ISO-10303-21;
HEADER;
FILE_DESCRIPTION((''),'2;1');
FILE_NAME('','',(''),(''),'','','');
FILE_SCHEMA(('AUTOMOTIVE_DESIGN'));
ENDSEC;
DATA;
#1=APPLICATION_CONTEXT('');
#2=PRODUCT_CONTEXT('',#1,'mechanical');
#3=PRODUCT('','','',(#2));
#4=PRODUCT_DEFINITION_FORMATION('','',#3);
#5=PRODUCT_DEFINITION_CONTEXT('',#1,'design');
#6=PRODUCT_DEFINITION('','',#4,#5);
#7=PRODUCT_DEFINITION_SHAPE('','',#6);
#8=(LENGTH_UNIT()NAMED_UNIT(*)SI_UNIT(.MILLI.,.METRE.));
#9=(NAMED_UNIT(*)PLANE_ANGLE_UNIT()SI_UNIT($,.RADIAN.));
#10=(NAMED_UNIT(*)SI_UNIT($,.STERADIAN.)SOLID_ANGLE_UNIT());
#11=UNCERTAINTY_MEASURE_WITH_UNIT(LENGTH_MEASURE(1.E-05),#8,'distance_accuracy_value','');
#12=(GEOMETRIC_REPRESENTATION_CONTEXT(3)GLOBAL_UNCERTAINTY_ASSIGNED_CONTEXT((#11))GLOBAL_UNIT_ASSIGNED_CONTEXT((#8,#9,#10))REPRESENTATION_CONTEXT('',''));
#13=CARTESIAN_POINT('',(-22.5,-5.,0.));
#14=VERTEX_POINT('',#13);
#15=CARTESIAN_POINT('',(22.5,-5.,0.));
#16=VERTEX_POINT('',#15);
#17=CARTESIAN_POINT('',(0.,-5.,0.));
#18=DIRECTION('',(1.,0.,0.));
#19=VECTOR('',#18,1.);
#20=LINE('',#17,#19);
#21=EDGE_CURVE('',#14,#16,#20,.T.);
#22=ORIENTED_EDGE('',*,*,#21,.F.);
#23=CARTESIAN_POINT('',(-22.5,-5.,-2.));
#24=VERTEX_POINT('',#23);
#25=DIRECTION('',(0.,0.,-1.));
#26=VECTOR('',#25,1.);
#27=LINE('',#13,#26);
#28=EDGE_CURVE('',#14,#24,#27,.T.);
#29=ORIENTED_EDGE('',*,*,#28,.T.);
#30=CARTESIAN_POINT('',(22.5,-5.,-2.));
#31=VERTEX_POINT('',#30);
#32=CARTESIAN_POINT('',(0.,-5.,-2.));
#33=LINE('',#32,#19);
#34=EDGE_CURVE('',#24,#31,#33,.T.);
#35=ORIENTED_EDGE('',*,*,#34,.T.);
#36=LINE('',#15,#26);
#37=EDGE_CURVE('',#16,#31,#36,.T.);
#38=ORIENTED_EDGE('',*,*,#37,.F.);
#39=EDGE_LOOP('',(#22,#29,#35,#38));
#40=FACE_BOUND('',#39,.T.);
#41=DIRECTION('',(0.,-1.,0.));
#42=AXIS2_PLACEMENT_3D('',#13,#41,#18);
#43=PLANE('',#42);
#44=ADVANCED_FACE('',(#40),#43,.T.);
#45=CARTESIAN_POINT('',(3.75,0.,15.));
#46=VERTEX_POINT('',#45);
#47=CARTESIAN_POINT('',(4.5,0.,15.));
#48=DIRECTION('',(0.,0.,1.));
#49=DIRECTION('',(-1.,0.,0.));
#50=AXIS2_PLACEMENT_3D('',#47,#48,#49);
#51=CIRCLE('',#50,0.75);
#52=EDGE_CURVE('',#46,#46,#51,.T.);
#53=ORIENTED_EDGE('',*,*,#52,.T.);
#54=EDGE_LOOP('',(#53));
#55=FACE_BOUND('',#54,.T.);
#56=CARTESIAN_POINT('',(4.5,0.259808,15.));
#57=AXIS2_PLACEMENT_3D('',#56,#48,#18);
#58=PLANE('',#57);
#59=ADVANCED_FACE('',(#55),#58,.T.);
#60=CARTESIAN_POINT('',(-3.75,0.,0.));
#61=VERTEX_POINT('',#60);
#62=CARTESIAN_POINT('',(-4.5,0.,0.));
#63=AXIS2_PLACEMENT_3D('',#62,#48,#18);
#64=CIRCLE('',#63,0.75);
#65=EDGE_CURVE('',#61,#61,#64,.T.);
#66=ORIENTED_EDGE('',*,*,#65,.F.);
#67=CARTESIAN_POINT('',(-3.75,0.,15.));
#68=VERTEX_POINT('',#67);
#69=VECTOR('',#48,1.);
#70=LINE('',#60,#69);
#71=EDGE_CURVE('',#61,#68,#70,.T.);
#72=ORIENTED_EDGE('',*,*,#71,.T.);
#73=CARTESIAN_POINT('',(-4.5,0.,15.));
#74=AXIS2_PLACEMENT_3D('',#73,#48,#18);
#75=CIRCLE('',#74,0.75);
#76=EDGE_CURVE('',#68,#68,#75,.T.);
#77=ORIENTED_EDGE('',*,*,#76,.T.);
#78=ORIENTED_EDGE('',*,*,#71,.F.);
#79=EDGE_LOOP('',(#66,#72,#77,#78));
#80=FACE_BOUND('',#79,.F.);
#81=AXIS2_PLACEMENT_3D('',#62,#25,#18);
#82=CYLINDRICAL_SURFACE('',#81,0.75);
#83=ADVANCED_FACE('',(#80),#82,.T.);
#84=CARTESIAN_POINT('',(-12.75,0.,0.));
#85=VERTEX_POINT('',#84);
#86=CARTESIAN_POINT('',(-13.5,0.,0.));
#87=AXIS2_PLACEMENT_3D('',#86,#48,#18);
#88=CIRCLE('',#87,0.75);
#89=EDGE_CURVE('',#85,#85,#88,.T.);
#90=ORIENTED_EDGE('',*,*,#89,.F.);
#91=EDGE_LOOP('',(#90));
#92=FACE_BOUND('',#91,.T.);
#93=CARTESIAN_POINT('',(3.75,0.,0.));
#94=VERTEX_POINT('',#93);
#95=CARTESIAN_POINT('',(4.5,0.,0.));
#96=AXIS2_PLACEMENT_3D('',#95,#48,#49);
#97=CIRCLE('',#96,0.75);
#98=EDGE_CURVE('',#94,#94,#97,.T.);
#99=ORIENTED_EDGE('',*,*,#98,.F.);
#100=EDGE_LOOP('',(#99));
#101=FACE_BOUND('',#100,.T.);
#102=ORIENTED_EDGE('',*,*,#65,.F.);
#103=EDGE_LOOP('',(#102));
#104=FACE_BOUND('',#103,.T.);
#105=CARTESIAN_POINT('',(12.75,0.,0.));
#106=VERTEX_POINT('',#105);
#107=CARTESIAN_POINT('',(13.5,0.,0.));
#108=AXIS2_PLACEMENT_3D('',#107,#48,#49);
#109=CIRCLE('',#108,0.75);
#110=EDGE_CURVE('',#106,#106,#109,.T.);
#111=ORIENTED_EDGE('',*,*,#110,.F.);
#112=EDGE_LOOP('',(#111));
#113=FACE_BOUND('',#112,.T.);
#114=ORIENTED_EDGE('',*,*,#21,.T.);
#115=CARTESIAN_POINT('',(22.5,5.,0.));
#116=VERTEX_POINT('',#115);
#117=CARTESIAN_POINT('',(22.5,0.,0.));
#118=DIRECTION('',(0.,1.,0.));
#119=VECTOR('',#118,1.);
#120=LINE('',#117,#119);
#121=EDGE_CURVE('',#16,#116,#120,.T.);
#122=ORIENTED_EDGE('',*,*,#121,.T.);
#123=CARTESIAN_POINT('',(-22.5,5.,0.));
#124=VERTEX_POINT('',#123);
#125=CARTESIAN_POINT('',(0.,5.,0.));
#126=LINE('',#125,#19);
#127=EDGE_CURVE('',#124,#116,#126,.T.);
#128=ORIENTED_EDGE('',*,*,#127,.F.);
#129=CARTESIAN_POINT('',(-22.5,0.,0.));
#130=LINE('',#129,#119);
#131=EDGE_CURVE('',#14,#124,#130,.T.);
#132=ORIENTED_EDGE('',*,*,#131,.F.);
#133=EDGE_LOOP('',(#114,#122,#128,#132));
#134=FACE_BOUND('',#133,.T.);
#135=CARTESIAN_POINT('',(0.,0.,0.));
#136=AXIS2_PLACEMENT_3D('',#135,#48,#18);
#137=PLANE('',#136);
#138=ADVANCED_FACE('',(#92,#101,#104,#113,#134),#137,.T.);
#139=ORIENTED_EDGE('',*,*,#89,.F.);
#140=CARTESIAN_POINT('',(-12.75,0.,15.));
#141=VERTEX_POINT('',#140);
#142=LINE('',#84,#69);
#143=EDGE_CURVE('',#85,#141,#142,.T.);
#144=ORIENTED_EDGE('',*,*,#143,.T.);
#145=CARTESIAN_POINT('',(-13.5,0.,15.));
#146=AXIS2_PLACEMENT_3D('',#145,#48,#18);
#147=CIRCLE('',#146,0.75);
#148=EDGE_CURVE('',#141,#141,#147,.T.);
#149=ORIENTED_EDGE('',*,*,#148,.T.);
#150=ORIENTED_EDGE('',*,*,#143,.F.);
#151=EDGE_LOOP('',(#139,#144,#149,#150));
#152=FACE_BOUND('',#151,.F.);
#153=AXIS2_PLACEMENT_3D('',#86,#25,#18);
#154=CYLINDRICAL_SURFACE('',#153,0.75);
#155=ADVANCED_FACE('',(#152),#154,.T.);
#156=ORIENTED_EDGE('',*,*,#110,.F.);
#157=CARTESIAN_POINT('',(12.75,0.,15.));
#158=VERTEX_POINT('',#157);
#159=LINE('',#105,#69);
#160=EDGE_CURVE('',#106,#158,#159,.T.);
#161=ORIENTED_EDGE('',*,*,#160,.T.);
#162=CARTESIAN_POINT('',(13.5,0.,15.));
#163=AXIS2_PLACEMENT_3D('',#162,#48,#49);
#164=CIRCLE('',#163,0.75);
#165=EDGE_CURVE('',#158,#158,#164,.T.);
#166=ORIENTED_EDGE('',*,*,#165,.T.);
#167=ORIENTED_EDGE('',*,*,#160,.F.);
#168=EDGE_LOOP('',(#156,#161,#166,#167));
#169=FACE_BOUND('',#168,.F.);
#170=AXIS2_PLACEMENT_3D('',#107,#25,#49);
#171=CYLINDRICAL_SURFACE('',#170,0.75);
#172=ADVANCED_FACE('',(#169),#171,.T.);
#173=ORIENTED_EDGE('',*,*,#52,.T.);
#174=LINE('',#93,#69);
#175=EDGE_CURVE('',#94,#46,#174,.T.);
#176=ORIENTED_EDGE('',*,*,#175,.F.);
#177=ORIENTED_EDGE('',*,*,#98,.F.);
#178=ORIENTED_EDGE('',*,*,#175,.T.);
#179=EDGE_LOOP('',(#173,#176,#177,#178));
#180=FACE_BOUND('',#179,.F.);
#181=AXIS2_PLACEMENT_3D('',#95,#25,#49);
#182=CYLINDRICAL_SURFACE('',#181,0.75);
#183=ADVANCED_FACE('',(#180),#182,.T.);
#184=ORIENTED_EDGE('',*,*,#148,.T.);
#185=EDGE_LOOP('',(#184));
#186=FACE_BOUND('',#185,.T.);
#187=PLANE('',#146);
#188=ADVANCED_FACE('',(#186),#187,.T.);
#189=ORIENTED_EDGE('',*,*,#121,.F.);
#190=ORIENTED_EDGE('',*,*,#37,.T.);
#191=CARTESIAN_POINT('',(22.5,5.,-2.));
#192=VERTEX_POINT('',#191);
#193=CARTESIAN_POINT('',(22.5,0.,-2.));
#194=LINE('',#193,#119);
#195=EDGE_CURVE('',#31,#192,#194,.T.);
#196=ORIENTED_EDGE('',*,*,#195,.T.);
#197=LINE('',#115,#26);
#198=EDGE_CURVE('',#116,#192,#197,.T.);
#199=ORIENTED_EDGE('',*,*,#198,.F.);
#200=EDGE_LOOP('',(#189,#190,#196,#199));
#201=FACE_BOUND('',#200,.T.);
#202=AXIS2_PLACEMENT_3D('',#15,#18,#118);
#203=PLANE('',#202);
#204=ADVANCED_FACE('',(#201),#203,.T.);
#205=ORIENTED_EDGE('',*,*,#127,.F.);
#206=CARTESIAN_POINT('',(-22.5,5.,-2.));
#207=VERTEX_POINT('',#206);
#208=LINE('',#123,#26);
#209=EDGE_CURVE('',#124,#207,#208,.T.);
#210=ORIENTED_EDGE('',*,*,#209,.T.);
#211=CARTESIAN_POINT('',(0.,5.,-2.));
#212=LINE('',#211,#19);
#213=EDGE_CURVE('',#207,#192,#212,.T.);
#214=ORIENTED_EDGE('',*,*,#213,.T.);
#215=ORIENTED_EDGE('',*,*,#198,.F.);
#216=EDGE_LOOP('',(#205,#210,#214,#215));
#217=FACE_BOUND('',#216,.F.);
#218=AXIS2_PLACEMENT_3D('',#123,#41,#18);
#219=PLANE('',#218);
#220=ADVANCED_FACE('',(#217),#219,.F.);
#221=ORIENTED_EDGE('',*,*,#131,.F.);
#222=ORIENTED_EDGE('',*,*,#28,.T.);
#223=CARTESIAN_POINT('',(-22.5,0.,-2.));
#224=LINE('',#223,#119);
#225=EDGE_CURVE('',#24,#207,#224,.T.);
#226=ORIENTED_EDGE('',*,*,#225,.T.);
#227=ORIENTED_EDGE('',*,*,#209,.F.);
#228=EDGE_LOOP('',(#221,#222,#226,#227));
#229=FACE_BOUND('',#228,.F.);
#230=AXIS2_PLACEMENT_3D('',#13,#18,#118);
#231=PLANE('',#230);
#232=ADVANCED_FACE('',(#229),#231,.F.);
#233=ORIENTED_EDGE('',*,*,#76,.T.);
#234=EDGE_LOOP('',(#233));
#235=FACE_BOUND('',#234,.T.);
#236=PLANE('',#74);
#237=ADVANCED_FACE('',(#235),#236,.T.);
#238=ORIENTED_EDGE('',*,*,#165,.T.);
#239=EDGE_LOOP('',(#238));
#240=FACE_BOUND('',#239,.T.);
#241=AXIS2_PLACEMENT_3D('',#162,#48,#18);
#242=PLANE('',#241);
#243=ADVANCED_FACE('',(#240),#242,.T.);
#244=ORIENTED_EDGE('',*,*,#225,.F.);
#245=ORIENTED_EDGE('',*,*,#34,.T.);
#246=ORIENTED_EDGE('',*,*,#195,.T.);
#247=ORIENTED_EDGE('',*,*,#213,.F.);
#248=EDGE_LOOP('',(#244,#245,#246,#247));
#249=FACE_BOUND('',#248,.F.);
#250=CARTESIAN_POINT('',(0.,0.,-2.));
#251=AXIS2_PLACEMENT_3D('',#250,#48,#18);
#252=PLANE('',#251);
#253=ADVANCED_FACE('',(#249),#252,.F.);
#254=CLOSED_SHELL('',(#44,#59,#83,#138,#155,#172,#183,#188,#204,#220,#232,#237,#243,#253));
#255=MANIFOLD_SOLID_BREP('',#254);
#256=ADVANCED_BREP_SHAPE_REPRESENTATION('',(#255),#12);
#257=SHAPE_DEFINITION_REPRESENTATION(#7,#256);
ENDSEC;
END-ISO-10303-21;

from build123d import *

# Parameters (mm, degrees)
F0_W     = 45
F0_H     = 10
F0_R     = 0.75
F1_DEPTH = 2
F2_DEPTH = 15


with BuildPart() as f1:
    # F0 (on Top) → F1 (new body)
    with BuildSketch(Plane.XY):
        Rectangle(F0_W, F0_H)
        with Locations((-13.5, 0)):
            Circle(F0_R, mode=Mode.SUBTRACT)
        with Locations((-4.5, 0)):
            Circle(F0_R, mode=Mode.SUBTRACT)
        with BuildLine():
            ThreePointArc((5.25, 0), (4.5, -0.75), (3.75, 0))
            ThreePointArc((3.75, 0), (4.5, 0.75), (5.25, 0))
        make_face(mode=Mode.SUBTRACT)
        with BuildLine():
            ThreePointArc((14.25, 0), (13.5, -0.75), (12.75, 0))
            ThreePointArc((12.75, 0), (13.5, 0.75), (14.25, 0))
        make_face(mode=Mode.SUBTRACT)
        with Locations((-13.5, 0)):
            Circle(F0_R)
        with Locations((-4.5, 0)):
            Circle(F0_R)
        with BuildLine():
            ThreePointArc((14.25, 0), (13.5, 0.75), (12.75, 0))
            ThreePointArc((12.75, 0), (13.5, -0.75), (14.25, 0))
        make_face()
        with BuildLine():
            Line((4.5, 0), (3.75, 0))
            ThreePointArc((3.75, 0), (4.5, -0.75), (5.25, 0))
            Line((5.25, 0), (4.5, 0))
        make_face()
        with BuildLine():
            ThreePointArc((5.25, 0), (4.5, 0.75), (3.75, 0))
            Line((3.75, 0), (4.5, 0))
            Line((4.5, 0), (5.25, 0))
        make_face()
    extrude(amount=-F1_DEPTH)

    # F0 (on Top) → F2 (join)
    with BuildSketch(Plane.XY):
        with Locations((-13.5, 0)):
            Circle(F0_R)
        with Locations((-4.5, 0)):
            Circle(F0_R)
        with BuildLine():
            ThreePointArc((5.25, 0), (4.5, 0.75), (3.75, 0))
            Line((3.75, 0), (4.5, 0))
            Line((4.5, 0), (5.25, 0))
        make_face()
        with BuildLine():
            Line((4.5, 0), (3.75, 0))
            ThreePointArc((3.75, 0), (4.5, -0.75), (5.25, 0))
            Line((5.25, 0), (4.5, 0))
        make_face()
        with BuildLine():
            ThreePointArc((14.25, 0), (13.5, 0.75), (12.75, 0))
            ThreePointArc((12.75, 0), (13.5, -0.75), (14.25, 0))
        make_face()
    extrude(amount=F2_DEPTH)


solid = f1.part
